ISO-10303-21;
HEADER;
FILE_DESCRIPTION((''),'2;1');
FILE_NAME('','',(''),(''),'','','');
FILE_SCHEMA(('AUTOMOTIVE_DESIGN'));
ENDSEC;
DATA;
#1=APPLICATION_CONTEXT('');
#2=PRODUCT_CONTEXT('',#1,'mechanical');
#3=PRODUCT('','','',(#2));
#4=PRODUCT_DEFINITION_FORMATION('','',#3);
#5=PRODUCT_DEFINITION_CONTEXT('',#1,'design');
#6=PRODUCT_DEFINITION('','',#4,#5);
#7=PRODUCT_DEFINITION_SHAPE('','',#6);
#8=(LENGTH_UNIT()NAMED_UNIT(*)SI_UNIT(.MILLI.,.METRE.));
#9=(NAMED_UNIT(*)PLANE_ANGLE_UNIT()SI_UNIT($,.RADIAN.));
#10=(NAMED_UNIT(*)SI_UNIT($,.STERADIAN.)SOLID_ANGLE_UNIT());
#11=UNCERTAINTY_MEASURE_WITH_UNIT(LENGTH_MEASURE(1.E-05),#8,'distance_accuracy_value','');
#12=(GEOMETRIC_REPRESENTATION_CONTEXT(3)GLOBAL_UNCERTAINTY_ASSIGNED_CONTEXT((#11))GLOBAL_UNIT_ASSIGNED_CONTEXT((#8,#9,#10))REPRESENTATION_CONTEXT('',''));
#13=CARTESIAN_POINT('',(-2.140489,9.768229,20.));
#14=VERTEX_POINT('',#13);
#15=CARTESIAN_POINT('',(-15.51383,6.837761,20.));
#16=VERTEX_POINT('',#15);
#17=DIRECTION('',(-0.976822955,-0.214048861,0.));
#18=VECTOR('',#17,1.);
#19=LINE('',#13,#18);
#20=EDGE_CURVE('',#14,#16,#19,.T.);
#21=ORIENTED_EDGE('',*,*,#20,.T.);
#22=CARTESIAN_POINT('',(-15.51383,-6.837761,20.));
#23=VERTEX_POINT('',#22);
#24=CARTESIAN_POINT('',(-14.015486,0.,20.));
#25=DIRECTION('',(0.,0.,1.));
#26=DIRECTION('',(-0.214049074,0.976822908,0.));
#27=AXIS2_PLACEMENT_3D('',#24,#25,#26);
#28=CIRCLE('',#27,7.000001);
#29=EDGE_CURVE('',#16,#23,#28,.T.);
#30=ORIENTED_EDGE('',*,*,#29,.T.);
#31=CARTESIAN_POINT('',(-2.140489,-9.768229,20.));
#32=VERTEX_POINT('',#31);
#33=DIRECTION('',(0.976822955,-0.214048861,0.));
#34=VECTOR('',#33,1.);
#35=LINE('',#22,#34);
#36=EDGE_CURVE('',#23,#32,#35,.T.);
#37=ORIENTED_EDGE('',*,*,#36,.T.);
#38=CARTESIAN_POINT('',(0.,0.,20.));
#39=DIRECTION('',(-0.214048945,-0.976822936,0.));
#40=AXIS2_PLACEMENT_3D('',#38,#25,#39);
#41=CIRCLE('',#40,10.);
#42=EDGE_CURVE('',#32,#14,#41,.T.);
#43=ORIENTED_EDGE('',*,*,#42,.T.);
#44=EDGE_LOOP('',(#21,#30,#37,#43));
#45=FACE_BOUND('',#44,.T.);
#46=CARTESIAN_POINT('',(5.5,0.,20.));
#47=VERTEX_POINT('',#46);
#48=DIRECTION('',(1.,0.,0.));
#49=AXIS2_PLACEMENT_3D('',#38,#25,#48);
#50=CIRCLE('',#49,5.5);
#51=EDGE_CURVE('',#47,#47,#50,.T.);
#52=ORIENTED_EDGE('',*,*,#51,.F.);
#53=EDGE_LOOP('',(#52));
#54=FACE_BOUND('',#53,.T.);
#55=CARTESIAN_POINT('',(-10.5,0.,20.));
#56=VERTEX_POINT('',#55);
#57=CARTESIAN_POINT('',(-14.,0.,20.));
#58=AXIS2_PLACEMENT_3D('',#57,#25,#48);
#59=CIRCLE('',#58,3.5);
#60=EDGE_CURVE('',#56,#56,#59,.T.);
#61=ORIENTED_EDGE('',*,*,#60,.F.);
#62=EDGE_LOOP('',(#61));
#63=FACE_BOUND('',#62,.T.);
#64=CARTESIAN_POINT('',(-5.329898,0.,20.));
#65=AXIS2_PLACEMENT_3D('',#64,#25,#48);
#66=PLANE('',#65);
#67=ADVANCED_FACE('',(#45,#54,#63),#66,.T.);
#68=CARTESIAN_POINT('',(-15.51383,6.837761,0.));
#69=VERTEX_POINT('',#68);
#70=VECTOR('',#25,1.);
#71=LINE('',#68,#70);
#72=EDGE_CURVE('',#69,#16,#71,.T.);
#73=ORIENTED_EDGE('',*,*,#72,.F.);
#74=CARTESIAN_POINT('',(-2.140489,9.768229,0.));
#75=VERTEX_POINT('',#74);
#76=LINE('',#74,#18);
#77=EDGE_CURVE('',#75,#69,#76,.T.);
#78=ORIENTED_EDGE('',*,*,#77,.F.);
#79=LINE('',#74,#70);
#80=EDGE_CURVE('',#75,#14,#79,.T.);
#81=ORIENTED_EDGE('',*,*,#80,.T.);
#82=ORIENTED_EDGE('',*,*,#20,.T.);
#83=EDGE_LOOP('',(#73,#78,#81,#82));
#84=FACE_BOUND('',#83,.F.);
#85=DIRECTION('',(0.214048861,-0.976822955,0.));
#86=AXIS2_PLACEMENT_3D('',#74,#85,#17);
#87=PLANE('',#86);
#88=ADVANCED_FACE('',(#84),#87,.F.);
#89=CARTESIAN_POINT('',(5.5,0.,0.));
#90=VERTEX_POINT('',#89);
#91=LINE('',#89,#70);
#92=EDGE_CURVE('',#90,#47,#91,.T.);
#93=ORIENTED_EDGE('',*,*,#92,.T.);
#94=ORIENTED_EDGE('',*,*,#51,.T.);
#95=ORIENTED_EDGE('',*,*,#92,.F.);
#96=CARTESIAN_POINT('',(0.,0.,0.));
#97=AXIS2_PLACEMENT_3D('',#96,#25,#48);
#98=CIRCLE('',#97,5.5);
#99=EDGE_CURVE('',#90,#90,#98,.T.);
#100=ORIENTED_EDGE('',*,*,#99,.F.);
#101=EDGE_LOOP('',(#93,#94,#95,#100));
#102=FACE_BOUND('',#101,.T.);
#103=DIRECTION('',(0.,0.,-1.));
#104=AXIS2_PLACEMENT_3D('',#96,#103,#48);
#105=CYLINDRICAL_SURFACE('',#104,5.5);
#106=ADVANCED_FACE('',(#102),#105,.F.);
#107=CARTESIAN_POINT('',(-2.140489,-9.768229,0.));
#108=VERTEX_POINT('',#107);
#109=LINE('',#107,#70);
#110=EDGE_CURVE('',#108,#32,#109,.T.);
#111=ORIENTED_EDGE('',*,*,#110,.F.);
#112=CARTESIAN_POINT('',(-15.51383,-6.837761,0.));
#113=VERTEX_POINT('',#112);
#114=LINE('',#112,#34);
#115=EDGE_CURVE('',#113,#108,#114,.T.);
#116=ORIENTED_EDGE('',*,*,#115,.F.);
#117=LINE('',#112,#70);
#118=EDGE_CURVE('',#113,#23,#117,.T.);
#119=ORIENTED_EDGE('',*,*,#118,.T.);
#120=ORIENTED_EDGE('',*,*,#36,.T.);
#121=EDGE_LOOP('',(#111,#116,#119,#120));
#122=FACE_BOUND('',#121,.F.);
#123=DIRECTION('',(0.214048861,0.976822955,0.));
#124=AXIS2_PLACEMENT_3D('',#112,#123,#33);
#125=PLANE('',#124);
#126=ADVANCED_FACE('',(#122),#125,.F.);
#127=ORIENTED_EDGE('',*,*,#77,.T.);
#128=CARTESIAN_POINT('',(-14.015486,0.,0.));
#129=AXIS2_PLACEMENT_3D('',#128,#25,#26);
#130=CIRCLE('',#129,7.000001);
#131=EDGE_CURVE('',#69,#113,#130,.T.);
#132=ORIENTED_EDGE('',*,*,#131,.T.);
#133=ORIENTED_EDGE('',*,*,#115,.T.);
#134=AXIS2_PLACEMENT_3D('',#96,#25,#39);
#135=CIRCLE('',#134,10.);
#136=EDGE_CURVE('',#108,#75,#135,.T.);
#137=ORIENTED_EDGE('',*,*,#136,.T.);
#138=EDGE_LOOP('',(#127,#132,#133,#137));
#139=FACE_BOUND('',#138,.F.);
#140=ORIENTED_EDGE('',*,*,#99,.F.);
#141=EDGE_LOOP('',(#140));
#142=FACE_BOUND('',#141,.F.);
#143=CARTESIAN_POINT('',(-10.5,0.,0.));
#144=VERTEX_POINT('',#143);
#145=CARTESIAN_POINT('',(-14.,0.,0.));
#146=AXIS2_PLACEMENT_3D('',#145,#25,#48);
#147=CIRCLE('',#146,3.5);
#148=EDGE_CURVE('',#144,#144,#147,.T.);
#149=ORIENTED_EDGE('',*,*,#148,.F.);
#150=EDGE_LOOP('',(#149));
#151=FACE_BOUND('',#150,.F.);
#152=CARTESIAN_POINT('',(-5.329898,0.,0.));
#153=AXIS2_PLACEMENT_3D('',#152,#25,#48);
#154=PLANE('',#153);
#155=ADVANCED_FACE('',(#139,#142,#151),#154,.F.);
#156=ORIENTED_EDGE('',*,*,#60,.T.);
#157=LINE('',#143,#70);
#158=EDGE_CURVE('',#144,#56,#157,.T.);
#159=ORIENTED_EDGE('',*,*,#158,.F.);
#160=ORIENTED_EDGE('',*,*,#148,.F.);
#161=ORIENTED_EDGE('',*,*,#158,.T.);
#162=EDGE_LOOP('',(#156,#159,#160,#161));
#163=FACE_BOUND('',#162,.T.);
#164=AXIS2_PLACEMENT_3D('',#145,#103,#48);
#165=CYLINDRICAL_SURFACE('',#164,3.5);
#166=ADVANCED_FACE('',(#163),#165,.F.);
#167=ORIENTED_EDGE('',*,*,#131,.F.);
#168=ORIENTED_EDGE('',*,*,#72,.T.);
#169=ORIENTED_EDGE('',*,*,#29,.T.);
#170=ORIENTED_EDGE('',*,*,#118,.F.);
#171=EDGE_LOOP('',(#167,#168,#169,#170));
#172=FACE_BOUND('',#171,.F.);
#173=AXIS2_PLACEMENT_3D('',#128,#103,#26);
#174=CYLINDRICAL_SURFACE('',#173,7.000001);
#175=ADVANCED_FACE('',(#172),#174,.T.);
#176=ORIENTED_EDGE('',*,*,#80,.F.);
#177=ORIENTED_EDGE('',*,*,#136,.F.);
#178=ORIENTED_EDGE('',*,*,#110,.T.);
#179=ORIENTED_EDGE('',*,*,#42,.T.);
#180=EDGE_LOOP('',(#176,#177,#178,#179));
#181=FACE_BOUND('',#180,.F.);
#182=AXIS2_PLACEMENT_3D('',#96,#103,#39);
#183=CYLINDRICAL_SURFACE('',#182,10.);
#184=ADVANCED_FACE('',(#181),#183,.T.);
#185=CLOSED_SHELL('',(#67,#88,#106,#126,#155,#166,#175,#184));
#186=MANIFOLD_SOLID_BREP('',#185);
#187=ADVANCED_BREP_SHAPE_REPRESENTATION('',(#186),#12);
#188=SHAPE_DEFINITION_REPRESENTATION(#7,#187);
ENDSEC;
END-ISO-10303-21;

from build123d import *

# Parameters (mm, degrees)
F5_DEPTH = 20
F3_R     = 3.5
F6_DEPTH = 20
F1_R     = 5.5
F7_DEPTH = 20


with BuildPart() as f5:
    # F4 (on Top) → F5 (new body)
    with BuildSketch(Plane.XY):
        with BuildLine():
            Line((-15.51383, -6.837761), (-2.140489, -9.768229))
            ThreePointArc((-2.140489, -9.768229), (10, 0), (-2.140489, 9.768229))
            Line((-2.140489, 9.768229), (-15.51383, 6.837761))
            ThreePointArc((-15.51383, 6.837761), (-21.015487, 0), (-15.51383, -6.837761))
        make_face()
    extrude(amount=F5_DEPTH)

    # F3 (on Top) → F6 (cut)
    with BuildSketch(Plane.XY):
        with Locations((-14, 0)):
            Circle(F3_R)
    extrude(amount=F6_DEPTH, mode=Mode.SUBTRACT)

    # F1 (on Top) → F7 (cut)
    with BuildSketch(Plane.XY):
        Circle(F1_R)
    extrude(amount=F7_DEPTH, mode=Mode.SUBTRACT)


solid = f5.part
